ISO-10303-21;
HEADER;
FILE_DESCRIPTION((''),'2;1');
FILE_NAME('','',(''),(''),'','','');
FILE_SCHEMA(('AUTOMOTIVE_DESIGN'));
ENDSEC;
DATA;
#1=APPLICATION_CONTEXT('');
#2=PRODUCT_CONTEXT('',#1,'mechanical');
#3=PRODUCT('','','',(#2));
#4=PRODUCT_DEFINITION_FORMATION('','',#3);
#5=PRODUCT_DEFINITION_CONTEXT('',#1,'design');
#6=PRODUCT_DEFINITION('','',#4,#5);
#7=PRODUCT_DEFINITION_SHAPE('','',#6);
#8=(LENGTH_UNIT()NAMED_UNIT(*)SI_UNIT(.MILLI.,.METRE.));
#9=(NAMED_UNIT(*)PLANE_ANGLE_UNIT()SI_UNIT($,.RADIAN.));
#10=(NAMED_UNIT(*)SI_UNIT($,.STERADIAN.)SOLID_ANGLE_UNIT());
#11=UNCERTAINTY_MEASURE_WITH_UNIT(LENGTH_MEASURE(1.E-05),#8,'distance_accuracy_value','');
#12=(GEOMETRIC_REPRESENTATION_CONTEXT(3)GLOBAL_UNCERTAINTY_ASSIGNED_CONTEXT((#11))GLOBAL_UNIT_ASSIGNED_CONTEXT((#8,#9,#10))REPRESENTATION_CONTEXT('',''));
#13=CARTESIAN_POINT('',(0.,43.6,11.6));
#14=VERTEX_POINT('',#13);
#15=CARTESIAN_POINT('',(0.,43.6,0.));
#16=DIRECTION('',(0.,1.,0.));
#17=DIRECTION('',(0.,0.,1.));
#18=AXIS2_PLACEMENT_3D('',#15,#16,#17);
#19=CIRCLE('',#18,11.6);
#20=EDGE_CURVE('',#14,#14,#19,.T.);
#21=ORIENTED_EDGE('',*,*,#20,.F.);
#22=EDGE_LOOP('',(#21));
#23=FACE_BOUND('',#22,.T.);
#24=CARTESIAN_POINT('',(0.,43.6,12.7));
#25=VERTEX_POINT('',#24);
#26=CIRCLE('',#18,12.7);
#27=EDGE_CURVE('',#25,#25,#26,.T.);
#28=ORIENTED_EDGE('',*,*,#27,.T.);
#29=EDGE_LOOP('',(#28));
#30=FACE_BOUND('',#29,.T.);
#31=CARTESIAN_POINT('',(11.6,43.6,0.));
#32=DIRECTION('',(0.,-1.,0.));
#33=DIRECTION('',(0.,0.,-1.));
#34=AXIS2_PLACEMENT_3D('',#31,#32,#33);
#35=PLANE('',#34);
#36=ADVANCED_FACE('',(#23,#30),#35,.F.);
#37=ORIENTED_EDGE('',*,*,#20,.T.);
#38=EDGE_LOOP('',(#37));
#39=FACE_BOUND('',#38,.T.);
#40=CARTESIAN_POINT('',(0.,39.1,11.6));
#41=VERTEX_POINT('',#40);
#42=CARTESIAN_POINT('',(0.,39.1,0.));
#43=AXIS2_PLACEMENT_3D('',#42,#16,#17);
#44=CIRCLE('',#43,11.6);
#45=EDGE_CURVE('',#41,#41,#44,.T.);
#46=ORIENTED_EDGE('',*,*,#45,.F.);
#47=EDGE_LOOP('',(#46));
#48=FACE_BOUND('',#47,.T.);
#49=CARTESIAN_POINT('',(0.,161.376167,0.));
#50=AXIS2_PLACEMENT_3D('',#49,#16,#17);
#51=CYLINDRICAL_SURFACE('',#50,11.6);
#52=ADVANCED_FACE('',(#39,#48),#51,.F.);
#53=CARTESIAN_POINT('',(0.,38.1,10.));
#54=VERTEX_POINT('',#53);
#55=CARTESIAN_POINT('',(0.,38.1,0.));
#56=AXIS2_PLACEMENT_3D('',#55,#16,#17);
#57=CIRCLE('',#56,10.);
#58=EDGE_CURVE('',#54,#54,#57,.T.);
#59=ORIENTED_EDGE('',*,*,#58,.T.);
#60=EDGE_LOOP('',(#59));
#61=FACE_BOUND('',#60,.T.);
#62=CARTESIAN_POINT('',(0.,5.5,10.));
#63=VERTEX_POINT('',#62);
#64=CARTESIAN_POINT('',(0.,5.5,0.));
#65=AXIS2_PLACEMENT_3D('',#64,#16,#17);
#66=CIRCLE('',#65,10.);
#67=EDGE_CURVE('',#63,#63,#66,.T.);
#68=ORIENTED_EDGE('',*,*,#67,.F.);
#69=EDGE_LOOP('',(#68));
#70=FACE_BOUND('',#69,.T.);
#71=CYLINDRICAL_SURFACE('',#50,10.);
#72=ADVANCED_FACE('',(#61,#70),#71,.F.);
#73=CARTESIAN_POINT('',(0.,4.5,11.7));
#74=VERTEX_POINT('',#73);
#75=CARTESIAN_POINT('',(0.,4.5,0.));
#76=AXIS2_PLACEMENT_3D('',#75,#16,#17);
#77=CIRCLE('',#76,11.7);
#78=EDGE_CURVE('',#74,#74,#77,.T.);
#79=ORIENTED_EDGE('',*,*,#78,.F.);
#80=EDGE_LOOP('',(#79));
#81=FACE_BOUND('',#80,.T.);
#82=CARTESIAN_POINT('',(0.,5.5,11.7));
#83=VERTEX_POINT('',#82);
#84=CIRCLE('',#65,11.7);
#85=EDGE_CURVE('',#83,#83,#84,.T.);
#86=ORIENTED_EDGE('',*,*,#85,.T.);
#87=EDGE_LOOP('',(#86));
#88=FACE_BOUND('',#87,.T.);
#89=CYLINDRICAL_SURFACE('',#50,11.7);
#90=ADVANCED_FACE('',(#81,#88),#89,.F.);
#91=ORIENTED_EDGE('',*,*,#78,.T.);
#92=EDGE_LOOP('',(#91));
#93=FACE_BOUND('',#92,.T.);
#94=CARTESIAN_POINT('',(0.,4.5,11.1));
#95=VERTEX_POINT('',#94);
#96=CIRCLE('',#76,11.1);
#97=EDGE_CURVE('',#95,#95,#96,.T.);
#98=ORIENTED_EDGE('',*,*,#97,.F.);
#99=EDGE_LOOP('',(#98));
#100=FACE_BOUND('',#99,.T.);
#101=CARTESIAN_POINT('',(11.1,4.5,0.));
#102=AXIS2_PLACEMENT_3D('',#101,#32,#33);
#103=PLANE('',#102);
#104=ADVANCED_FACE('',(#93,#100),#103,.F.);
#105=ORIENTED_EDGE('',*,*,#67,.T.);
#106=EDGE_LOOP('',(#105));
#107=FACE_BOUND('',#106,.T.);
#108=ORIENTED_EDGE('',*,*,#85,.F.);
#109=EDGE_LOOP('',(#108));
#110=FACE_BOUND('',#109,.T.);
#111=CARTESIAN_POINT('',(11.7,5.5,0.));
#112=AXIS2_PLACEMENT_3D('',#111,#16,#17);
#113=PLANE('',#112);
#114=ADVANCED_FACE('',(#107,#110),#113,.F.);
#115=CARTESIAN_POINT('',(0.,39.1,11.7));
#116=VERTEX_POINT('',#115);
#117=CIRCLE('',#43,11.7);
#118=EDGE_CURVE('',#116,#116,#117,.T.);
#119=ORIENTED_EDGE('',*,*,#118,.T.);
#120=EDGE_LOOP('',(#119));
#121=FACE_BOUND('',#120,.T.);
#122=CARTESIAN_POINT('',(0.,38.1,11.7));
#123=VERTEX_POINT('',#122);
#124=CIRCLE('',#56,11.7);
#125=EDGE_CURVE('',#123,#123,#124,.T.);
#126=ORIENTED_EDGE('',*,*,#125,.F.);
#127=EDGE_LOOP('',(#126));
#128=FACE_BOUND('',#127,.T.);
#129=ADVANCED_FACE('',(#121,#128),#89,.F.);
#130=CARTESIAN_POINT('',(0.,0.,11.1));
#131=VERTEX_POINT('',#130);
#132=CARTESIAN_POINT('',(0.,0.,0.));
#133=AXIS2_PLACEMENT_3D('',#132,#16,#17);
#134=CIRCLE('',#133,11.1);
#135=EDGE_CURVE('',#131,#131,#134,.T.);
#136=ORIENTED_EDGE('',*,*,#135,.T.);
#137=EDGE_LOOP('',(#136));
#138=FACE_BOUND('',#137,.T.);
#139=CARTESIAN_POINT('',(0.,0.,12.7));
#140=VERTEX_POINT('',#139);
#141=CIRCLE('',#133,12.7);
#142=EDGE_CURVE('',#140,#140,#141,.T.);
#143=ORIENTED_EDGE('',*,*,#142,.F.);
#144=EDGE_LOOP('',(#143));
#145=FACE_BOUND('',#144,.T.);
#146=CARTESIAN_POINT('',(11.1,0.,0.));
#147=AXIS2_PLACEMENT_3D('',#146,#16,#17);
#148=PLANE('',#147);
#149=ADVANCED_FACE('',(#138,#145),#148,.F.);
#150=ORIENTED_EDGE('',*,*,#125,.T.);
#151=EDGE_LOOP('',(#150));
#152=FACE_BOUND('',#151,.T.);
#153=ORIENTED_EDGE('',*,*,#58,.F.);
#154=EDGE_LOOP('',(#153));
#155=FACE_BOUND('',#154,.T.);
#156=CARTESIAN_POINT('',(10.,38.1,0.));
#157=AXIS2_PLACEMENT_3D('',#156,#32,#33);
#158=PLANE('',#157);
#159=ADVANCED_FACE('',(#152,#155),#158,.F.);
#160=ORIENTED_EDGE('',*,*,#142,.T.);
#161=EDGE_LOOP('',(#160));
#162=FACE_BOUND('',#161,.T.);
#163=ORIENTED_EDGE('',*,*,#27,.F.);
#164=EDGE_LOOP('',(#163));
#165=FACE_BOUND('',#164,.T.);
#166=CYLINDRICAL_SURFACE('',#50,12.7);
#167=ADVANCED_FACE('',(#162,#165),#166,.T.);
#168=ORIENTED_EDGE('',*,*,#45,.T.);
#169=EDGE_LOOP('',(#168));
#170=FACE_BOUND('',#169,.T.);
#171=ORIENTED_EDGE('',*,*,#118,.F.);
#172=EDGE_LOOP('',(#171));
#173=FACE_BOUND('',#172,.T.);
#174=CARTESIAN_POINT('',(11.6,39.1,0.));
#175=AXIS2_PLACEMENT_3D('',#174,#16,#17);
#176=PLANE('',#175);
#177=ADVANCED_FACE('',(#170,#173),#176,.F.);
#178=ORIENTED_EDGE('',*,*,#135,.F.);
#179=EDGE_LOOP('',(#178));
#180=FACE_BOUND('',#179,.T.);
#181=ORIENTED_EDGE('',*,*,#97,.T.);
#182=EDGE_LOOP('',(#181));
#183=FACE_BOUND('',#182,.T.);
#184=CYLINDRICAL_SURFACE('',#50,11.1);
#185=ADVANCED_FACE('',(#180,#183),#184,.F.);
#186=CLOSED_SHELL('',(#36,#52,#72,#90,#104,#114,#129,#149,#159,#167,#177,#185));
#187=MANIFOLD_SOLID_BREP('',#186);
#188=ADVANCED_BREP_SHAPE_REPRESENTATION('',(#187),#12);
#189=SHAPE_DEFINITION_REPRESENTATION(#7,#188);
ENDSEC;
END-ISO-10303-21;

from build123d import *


with BuildPart() as part:
    # 草图1 → 旋转1 (revolve)
    with BuildSketch(Plane.XY, mode=Mode.PRIVATE) as revolve_1_sk:
        Polygon((11.1, 0), (11.1, 4.5), (11.7, 4.5), (11.7, 5.5), (10, 5.5), (10, 38.1), (11.7, 38.1), (11.7, 39.1), (11.6, 39.1), (11.6, 43.6), (12.7, 43.6), (12.7, 0), align=None)
    revolve(revolve_1_sk.sketch.rotate(Axis((0, 161.376166943, 0), (0, -1, 0)), 90), axis=Axis((0, 161.376166943, 0), (0, -1, 0)))  # turned: the seam where the file's is


solid = part.part
